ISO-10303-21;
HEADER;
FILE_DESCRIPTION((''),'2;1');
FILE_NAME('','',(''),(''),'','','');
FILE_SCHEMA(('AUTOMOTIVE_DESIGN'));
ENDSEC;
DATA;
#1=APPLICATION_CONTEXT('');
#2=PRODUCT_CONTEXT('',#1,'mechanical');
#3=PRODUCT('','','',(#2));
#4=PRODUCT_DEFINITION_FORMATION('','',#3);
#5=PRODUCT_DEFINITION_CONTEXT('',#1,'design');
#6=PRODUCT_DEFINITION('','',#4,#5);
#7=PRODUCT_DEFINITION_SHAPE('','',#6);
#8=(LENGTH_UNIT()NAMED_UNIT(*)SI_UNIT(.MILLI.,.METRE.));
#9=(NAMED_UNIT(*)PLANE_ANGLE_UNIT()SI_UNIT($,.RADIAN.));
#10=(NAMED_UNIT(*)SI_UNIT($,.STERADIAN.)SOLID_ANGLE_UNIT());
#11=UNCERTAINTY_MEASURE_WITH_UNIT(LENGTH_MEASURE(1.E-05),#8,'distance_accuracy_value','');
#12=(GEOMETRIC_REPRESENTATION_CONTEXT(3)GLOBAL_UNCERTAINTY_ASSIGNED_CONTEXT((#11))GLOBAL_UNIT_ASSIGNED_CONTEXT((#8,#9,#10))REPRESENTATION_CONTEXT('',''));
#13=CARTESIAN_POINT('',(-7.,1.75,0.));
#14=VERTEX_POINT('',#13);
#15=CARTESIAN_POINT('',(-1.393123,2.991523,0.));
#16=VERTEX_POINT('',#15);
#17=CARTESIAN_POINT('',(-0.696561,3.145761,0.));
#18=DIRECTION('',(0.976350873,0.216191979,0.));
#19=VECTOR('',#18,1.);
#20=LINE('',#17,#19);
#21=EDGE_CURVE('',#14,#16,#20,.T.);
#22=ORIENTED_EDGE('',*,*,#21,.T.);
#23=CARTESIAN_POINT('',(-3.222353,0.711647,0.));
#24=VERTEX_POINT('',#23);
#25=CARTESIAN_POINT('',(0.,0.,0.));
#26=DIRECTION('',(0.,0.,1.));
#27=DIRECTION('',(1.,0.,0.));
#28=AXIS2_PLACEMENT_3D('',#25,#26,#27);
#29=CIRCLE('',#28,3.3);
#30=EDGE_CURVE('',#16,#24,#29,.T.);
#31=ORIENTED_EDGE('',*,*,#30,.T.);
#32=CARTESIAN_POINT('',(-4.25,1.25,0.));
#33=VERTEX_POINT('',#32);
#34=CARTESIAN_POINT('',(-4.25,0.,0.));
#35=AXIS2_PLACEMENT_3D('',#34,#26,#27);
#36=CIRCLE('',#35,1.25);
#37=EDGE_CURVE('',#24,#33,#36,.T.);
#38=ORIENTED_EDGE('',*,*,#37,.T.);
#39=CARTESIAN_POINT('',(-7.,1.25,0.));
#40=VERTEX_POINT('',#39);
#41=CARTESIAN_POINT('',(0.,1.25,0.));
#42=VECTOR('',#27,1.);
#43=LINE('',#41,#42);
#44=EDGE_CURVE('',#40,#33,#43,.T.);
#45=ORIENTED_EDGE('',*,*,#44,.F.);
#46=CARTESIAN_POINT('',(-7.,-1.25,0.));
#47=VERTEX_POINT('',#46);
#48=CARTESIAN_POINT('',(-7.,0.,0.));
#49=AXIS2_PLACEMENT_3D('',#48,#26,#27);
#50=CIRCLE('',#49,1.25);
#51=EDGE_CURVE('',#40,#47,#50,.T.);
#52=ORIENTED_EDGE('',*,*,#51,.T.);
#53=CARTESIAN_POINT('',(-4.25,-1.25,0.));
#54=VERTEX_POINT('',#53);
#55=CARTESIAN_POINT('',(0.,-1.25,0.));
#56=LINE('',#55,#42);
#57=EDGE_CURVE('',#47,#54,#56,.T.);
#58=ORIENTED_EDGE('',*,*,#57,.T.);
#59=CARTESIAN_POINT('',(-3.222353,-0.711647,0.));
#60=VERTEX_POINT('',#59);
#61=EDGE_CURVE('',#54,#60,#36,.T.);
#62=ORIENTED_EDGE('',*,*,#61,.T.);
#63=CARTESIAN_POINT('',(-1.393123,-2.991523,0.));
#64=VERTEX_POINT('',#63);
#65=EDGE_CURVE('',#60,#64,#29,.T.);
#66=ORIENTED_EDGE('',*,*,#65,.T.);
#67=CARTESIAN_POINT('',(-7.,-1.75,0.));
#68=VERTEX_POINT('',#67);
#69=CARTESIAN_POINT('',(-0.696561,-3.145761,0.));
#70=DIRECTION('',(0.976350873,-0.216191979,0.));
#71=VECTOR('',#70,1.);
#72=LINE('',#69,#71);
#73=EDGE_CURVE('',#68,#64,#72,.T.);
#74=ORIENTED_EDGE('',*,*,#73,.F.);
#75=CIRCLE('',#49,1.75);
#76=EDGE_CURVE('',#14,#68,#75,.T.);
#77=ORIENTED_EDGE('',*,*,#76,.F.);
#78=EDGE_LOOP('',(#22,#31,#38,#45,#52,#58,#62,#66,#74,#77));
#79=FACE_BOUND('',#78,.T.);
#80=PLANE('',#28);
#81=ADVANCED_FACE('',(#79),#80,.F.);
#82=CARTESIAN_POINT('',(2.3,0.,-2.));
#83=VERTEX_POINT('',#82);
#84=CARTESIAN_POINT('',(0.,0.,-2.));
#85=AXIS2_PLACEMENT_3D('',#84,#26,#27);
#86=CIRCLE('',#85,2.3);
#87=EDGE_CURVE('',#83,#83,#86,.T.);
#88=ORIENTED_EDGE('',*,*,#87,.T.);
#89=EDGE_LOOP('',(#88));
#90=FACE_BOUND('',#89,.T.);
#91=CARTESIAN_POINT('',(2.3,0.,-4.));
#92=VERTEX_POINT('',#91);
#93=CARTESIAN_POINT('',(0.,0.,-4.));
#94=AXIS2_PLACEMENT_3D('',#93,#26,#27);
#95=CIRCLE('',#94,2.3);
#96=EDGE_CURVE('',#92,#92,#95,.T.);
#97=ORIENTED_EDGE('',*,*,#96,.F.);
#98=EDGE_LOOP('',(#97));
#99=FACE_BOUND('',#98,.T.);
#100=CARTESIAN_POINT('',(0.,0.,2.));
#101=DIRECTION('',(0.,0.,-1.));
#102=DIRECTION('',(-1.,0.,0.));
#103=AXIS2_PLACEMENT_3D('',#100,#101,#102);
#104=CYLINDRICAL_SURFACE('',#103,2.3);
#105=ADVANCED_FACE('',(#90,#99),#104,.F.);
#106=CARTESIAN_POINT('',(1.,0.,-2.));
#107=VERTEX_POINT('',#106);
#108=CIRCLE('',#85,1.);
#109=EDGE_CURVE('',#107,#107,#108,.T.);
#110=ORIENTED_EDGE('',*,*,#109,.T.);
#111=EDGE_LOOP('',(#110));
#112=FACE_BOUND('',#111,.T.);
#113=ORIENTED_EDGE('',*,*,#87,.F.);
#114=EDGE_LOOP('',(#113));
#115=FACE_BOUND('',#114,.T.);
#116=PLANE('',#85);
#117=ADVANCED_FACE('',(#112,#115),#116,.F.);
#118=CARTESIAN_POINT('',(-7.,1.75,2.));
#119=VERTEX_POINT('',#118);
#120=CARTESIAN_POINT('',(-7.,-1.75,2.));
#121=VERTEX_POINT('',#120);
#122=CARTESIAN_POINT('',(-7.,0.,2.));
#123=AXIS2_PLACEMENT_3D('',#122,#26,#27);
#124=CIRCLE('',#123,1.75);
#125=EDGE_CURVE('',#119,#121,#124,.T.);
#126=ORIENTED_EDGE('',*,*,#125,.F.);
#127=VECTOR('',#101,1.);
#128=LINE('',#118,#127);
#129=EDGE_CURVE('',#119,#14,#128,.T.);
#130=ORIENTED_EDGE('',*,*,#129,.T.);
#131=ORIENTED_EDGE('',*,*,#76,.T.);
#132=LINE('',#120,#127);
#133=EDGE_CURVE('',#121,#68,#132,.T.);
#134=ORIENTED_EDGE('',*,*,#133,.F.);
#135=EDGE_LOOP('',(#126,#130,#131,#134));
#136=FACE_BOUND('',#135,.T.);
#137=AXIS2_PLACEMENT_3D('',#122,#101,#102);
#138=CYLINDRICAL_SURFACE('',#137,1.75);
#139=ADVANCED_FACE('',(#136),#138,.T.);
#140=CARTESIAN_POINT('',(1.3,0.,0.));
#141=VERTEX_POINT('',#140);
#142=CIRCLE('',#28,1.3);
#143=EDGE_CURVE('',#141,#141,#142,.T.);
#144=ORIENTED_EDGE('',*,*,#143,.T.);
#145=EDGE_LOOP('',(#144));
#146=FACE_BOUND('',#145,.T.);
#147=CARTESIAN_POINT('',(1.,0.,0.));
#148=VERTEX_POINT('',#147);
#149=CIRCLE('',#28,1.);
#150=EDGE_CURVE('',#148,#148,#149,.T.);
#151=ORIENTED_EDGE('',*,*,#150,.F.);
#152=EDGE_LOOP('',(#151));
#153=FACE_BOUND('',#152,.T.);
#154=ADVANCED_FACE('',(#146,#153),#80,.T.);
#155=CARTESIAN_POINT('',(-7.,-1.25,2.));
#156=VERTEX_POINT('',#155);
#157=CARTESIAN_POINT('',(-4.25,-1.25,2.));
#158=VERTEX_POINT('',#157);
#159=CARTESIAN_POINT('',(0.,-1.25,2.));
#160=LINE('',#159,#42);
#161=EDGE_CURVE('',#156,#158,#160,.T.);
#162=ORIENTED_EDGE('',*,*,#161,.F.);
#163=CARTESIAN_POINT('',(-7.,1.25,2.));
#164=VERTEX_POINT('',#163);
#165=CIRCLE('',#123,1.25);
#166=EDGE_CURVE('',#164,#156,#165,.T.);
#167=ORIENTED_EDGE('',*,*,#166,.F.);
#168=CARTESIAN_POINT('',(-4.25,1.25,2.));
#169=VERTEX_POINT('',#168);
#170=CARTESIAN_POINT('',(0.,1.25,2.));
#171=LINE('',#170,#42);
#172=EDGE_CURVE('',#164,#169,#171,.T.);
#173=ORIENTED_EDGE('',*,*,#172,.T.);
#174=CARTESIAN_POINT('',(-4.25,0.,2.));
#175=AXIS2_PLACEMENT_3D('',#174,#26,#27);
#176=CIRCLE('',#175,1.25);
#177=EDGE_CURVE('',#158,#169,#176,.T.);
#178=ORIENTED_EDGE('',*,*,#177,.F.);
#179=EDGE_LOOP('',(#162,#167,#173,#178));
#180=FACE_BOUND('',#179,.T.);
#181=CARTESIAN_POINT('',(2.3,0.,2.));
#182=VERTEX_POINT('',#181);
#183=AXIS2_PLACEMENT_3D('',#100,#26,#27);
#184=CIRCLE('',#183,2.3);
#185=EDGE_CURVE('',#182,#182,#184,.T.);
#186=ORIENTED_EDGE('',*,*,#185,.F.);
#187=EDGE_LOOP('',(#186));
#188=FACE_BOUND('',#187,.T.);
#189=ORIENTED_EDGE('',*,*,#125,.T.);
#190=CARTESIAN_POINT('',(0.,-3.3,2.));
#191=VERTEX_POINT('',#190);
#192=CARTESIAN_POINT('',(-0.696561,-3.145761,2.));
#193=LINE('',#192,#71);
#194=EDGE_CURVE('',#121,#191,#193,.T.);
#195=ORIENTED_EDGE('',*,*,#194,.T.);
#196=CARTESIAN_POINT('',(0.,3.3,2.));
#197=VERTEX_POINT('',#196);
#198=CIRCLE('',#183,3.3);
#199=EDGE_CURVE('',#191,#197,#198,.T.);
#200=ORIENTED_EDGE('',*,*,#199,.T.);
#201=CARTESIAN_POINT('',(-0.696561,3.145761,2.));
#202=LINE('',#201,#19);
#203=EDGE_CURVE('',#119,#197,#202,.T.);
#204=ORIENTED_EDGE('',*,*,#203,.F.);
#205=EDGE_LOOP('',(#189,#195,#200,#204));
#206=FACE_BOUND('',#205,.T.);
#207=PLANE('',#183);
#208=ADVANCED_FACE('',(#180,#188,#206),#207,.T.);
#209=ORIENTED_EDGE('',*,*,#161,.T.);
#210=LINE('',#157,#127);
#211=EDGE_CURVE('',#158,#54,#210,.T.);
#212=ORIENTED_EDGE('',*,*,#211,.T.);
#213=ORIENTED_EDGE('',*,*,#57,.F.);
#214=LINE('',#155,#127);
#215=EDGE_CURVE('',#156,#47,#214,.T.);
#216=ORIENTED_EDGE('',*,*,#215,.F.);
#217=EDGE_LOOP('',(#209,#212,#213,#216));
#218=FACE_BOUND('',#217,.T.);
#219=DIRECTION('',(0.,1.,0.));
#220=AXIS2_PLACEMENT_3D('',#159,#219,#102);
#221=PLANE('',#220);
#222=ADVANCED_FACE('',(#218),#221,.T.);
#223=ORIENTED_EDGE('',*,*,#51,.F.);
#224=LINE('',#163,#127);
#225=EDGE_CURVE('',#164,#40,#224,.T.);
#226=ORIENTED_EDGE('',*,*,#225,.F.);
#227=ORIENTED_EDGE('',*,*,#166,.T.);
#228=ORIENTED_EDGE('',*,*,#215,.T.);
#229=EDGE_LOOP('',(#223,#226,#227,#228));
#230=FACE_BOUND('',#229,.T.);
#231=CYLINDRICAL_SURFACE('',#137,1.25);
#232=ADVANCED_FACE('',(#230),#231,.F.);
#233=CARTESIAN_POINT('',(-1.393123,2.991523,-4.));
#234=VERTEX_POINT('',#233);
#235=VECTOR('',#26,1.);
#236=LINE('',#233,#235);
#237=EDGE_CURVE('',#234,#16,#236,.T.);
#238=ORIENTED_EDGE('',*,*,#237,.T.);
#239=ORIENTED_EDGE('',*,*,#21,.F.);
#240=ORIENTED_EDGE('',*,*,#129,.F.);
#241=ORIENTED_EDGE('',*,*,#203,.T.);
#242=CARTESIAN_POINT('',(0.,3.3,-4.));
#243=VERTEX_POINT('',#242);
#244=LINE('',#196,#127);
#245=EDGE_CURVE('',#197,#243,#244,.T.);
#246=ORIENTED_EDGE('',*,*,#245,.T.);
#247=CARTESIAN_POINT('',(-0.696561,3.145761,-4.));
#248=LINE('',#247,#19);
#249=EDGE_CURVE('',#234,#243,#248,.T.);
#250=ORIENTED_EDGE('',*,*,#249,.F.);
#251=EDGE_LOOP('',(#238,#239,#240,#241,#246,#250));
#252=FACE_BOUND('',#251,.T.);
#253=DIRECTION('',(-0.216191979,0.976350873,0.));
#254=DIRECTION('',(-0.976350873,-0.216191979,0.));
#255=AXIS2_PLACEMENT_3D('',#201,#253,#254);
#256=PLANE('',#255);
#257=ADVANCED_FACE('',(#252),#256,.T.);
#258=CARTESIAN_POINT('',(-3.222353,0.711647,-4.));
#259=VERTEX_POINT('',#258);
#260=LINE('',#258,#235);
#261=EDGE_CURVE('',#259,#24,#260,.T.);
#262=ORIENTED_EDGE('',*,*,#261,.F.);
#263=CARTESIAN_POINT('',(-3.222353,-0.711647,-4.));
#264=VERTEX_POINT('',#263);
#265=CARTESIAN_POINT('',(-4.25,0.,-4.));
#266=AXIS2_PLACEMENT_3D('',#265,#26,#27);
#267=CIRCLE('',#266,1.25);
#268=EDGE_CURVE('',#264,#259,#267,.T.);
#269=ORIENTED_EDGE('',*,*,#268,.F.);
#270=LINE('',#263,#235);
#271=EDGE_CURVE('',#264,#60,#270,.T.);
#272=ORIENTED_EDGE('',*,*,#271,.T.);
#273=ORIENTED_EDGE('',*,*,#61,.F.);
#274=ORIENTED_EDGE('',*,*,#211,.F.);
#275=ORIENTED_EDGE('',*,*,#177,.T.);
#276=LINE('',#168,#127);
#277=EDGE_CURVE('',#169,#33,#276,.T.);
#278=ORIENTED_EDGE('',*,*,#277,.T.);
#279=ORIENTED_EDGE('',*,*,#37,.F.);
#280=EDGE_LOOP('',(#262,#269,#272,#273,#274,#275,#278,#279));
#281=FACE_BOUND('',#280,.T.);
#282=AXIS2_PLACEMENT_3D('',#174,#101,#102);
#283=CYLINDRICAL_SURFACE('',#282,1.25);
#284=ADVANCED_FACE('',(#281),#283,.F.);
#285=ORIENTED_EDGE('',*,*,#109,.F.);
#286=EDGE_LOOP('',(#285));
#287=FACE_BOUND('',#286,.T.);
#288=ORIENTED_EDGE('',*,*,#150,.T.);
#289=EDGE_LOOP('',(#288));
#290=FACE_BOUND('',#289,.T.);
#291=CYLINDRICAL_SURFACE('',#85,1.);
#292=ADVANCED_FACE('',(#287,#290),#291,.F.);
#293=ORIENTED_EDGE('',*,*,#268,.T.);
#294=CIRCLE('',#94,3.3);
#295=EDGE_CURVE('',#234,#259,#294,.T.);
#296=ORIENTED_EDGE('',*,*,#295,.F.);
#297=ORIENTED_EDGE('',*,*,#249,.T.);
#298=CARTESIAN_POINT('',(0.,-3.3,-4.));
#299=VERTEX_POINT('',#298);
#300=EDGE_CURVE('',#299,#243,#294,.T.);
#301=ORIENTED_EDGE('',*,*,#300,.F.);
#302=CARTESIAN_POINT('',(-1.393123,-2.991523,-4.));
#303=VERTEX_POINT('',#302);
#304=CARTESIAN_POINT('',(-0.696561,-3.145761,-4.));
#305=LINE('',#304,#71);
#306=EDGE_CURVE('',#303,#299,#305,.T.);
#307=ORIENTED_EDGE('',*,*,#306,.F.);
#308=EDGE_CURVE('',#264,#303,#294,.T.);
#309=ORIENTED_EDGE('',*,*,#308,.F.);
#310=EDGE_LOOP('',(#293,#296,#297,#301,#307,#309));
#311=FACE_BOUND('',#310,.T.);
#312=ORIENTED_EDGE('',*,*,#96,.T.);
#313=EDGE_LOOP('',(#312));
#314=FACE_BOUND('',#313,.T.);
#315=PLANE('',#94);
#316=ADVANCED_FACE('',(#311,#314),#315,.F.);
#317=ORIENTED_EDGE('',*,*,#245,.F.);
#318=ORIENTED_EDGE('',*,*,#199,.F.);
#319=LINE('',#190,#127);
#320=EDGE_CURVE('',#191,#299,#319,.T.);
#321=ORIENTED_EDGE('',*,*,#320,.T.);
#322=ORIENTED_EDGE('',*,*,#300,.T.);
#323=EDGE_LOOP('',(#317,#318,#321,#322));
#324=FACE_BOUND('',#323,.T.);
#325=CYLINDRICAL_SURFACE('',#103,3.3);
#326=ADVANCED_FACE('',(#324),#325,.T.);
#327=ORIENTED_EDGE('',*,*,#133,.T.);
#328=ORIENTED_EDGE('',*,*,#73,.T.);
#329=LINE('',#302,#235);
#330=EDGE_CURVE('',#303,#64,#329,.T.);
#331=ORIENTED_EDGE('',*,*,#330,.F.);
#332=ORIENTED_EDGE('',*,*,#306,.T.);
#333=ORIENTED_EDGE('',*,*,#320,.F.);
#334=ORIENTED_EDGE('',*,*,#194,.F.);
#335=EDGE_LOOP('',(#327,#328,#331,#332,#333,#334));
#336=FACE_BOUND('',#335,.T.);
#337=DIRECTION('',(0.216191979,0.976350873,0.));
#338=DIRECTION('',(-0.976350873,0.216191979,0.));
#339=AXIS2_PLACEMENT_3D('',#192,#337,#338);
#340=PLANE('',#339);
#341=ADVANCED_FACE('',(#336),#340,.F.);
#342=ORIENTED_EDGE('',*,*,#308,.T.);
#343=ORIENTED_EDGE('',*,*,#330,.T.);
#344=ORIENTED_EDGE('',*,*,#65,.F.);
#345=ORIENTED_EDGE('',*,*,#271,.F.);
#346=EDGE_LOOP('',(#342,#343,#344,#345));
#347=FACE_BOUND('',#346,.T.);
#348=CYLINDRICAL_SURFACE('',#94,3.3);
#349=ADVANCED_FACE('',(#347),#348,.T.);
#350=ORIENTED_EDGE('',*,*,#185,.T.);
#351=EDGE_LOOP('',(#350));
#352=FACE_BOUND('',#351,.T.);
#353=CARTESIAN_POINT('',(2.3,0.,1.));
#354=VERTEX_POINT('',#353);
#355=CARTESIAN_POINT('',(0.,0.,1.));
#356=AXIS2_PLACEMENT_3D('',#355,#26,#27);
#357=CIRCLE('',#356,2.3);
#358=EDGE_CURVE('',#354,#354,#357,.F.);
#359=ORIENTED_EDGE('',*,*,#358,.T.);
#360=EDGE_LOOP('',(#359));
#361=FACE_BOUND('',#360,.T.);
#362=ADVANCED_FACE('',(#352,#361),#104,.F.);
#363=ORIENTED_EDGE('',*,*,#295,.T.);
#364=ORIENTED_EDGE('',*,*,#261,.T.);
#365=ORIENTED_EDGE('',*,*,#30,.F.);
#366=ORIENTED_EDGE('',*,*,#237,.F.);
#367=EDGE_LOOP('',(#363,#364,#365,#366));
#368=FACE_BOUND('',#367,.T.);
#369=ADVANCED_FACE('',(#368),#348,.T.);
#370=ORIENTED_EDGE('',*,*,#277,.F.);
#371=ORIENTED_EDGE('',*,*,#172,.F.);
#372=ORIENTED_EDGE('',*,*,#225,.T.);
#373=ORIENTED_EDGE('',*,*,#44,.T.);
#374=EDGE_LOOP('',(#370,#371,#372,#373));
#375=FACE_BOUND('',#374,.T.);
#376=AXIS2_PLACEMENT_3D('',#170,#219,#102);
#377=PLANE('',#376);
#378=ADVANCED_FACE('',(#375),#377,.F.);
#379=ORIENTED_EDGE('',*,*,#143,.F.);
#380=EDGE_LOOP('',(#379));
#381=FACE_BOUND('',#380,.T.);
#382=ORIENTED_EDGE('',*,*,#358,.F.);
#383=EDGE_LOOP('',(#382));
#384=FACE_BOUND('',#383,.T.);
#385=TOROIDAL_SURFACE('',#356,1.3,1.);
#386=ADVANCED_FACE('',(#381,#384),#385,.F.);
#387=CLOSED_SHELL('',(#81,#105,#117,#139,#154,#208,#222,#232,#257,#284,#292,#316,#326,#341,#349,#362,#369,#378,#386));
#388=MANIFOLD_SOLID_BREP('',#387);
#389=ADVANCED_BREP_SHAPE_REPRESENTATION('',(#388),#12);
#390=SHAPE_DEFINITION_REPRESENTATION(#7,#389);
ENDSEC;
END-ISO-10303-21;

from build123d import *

# Parameters (mm, degrees)
SKIZZE1_R                       = 2.3
AUFSATZ_LINEAR_AUSTRAGEN1_DEPTH = 2
AUFSATZ_LINEAR_START            = -4
SKIZZE1_11_R                    = 2.3
AUFSATZ_LINEAR_AUSTRAGEN2_DEPTH = 4
AUFSATZ_LINEAR_START_2          = -2
SKIZZE1_13_R                    = 2.3
SKIZZE1_13_R_2                  = 1
AUFSATZ_LINEAR_AUSTRAGEN3_DEPTH = 2
VERRUNDUNG1_R                   = 1


with BuildPart() as part:
    # Skizze1 → Aufsatz-Linear austragen1 (new body)
    with BuildSketch(Plane.XY):
        with BuildLine():
            ThreePointArc((-7, 1.75), (-8.75, 0), (-7, -1.75))
            Line((-7, -1.75), (0, -3.3))
            ThreePointArc((0, -3.3), (3.3, 0), (0, 3.3))
            Line((0, 3.3), (-7, 1.75))
        make_face()
        with BuildLine():
            ThreePointArc((-4.25, 1.25), (-3, 0), (-4.25, -1.25))
            Line((-4.25, -1.25), (-7, -1.25))
            ThreePointArc((-7, -1.25), (-8.25, 0), (-7, 1.25))
            Line((-7, 1.25), (-4.25, 1.25))
        make_face(mode=Mode.SUBTRACT)
        Circle(SKIZZE1_R, mode=Mode.SUBTRACT)
    extrude(amount=AUFSATZ_LINEAR_AUSTRAGEN1_DEPTH)

    # Skizze1<11> → Aufsatz-Linear austragen2 (add)
    with BuildSketch(Plane.XY.offset(AUFSATZ_LINEAR_START)):
        with BuildLine():
            Line((0, 3.3), (-1.393122903, 2.991522786))
            ThreePointArc((-1.393122903, 2.991522786), (-2.57392942, 2.065160367), (-3.222352941, 0.711647049))
            ThreePointArc((-3.222352941, 0.711647049), (-3, 0), (-3.222352941, -0.711647049))
            ThreePointArc((-3.222352941, -0.711647049), (-2.57392942, -2.065160367), (-1.393122903, -2.991522786))
            Line((-1.393122903, -2.991522786), (0, -3.3))
            ThreePointArc((0, -3.3), (2.333452378, -2.333452378), (3.3, 0))
            ThreePointArc((3.3, 0), (2.333452378, 2.333452378), (0, 3.3))
        make_face()
        Circle(SKIZZE1_11_R, mode=Mode.SUBTRACT)
    extrude(amount=AUFSATZ_LINEAR_AUSTRAGEN2_DEPTH)

    # Skizze1<13> → Aufsatz-Linear austragen3 (add)
    with BuildSketch(Plane.XY.offset(AUFSATZ_LINEAR_START_2)):
        Circle(SKIZZE1_13_R)
        Circle(SKIZZE1_13_R_2, mode=Mode.SUBTRACT)
    extrude(amount=AUFSATZ_LINEAR_AUSTRAGEN3_DEPTH)

    # Verrundung1
    verrundung1_edges = [part.edges().sort_by_distance(p)[0] for p in [
        (-2.3, 0, 0),
    ]]
    fillet(verrundung1_edges, radius=VERRUNDUNG1_R)


solid = part.part
